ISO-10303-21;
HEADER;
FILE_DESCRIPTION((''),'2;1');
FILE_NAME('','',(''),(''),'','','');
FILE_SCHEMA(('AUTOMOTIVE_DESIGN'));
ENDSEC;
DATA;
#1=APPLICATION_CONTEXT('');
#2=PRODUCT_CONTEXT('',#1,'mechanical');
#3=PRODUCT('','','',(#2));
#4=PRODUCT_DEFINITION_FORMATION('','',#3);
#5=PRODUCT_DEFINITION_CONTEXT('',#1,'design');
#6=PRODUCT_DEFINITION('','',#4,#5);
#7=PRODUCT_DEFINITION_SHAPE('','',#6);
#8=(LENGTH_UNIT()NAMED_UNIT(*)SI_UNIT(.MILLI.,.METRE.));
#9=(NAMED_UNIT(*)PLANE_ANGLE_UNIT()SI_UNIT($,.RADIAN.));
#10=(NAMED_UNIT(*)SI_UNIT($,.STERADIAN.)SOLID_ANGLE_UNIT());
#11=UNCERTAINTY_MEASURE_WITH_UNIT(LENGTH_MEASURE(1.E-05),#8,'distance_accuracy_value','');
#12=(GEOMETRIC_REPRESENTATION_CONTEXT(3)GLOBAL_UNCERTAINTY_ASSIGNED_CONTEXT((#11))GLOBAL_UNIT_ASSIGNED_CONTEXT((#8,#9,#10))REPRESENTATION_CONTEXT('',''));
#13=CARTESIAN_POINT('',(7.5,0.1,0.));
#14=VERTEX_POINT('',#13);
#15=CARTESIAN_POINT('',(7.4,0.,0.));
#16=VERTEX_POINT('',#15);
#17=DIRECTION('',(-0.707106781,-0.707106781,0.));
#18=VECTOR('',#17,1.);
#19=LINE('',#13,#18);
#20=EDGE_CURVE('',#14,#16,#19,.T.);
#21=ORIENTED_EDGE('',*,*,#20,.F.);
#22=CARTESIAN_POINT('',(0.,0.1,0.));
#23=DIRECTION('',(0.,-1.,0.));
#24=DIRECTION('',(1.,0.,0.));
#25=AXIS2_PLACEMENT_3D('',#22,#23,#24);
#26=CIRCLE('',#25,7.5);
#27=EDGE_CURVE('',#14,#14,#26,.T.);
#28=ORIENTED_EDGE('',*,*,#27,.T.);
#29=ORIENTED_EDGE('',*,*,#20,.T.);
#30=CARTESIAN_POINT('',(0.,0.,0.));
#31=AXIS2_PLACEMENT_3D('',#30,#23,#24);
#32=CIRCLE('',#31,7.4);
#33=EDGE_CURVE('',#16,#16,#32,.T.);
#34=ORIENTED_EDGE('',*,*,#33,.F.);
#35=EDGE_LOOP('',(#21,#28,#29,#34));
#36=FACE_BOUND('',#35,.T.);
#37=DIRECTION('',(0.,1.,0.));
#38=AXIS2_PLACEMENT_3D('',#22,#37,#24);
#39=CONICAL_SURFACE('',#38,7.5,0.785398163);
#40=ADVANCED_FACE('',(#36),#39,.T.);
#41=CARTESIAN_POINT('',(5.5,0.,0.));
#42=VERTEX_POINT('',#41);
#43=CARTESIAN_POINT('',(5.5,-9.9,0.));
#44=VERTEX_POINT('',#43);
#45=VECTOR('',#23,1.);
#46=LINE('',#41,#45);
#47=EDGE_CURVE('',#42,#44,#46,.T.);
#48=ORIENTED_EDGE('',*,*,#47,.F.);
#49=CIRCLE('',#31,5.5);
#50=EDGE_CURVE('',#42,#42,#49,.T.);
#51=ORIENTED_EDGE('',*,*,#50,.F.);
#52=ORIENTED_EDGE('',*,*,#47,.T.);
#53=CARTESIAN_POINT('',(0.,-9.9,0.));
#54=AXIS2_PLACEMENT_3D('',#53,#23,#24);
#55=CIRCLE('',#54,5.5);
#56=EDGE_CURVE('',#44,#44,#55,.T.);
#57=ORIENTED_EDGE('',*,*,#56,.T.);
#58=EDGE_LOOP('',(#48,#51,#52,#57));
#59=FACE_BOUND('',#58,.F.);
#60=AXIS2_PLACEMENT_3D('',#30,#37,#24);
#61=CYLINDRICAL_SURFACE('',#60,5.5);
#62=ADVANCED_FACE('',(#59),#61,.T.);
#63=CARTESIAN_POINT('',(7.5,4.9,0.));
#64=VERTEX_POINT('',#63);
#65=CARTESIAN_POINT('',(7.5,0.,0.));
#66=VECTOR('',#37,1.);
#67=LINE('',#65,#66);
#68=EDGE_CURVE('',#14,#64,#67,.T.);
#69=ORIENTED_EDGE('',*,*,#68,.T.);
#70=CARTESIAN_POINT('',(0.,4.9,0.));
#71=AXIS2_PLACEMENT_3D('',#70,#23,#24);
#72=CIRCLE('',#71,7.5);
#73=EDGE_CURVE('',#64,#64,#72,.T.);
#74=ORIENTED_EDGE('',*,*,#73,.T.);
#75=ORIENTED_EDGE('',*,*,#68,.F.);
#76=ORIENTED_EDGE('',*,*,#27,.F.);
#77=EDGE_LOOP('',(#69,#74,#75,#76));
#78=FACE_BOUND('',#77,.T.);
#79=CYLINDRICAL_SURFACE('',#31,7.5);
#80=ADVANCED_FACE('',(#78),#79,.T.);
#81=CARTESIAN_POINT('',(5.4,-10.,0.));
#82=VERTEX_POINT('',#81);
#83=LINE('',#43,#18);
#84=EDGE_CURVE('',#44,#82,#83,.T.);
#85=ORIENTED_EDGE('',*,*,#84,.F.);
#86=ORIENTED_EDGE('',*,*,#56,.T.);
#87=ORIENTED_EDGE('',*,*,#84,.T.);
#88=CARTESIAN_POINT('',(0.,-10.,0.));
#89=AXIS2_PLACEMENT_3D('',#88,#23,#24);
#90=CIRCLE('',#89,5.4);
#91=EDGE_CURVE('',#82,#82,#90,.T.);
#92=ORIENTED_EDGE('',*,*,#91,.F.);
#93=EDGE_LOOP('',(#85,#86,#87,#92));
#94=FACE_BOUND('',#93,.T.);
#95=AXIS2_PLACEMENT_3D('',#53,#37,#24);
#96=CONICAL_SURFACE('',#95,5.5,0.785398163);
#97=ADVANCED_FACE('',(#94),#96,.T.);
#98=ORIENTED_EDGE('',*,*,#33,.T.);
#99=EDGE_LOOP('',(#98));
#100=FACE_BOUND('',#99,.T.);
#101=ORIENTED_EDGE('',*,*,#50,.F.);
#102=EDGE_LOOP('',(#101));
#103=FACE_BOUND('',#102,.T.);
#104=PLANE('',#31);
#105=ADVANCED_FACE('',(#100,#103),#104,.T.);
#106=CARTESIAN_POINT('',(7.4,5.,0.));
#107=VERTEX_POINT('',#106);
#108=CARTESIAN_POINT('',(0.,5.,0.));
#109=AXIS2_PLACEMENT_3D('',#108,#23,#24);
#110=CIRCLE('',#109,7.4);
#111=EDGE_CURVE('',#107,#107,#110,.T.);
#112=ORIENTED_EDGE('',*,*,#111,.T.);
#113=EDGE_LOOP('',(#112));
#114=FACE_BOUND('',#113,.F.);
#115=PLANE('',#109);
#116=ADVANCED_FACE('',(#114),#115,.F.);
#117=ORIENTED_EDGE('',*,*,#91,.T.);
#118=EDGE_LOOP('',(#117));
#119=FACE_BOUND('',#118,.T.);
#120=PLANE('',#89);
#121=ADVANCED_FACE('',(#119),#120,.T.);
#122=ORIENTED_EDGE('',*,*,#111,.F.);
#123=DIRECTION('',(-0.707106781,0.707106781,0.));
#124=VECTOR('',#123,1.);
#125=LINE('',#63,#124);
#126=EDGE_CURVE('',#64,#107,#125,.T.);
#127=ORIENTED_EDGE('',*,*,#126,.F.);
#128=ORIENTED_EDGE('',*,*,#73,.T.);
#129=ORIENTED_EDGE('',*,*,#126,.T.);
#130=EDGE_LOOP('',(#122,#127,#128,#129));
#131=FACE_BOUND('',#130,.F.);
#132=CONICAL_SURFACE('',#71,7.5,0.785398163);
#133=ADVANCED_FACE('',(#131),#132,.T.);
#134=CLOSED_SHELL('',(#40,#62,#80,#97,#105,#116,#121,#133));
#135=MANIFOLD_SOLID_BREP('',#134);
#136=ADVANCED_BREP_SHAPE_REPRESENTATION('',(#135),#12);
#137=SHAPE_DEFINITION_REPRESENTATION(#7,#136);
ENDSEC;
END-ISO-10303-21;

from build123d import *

# Parameters (mm, degrees)
F0_R     = 7.5
F0_R_2   = 5.5
F1_DEPTH = 5
F2_DEPTH = 10
F3_SIZE  = 0.1


with BuildPart() as f1:
    # F0 (on Front) → F1 (new body)
    with BuildSketch(Plane.XZ):
        Circle(F0_R)
        Circle(F0_R_2, mode=Mode.SUBTRACT)
        Circle(F0_R_2)
    extrude(amount=-F1_DEPTH)

    # F0 (on Front) → F2 (join)
    with BuildSketch(Plane.XZ):
        Circle(F0_R_2)
    extrude(amount=F2_DEPTH)

    # F3
    f3_edges = [f1.edges().sort_by_distance(p)[0] for p in [
        (-5.5, -10, 0),
        (7.5, 2.5, 0),
        (-7.5, 0, 0),
        (-7.5, 5, 0),
    ]]
    chamfer(f3_edges, length=F3_SIZE)


solid = f1.part
